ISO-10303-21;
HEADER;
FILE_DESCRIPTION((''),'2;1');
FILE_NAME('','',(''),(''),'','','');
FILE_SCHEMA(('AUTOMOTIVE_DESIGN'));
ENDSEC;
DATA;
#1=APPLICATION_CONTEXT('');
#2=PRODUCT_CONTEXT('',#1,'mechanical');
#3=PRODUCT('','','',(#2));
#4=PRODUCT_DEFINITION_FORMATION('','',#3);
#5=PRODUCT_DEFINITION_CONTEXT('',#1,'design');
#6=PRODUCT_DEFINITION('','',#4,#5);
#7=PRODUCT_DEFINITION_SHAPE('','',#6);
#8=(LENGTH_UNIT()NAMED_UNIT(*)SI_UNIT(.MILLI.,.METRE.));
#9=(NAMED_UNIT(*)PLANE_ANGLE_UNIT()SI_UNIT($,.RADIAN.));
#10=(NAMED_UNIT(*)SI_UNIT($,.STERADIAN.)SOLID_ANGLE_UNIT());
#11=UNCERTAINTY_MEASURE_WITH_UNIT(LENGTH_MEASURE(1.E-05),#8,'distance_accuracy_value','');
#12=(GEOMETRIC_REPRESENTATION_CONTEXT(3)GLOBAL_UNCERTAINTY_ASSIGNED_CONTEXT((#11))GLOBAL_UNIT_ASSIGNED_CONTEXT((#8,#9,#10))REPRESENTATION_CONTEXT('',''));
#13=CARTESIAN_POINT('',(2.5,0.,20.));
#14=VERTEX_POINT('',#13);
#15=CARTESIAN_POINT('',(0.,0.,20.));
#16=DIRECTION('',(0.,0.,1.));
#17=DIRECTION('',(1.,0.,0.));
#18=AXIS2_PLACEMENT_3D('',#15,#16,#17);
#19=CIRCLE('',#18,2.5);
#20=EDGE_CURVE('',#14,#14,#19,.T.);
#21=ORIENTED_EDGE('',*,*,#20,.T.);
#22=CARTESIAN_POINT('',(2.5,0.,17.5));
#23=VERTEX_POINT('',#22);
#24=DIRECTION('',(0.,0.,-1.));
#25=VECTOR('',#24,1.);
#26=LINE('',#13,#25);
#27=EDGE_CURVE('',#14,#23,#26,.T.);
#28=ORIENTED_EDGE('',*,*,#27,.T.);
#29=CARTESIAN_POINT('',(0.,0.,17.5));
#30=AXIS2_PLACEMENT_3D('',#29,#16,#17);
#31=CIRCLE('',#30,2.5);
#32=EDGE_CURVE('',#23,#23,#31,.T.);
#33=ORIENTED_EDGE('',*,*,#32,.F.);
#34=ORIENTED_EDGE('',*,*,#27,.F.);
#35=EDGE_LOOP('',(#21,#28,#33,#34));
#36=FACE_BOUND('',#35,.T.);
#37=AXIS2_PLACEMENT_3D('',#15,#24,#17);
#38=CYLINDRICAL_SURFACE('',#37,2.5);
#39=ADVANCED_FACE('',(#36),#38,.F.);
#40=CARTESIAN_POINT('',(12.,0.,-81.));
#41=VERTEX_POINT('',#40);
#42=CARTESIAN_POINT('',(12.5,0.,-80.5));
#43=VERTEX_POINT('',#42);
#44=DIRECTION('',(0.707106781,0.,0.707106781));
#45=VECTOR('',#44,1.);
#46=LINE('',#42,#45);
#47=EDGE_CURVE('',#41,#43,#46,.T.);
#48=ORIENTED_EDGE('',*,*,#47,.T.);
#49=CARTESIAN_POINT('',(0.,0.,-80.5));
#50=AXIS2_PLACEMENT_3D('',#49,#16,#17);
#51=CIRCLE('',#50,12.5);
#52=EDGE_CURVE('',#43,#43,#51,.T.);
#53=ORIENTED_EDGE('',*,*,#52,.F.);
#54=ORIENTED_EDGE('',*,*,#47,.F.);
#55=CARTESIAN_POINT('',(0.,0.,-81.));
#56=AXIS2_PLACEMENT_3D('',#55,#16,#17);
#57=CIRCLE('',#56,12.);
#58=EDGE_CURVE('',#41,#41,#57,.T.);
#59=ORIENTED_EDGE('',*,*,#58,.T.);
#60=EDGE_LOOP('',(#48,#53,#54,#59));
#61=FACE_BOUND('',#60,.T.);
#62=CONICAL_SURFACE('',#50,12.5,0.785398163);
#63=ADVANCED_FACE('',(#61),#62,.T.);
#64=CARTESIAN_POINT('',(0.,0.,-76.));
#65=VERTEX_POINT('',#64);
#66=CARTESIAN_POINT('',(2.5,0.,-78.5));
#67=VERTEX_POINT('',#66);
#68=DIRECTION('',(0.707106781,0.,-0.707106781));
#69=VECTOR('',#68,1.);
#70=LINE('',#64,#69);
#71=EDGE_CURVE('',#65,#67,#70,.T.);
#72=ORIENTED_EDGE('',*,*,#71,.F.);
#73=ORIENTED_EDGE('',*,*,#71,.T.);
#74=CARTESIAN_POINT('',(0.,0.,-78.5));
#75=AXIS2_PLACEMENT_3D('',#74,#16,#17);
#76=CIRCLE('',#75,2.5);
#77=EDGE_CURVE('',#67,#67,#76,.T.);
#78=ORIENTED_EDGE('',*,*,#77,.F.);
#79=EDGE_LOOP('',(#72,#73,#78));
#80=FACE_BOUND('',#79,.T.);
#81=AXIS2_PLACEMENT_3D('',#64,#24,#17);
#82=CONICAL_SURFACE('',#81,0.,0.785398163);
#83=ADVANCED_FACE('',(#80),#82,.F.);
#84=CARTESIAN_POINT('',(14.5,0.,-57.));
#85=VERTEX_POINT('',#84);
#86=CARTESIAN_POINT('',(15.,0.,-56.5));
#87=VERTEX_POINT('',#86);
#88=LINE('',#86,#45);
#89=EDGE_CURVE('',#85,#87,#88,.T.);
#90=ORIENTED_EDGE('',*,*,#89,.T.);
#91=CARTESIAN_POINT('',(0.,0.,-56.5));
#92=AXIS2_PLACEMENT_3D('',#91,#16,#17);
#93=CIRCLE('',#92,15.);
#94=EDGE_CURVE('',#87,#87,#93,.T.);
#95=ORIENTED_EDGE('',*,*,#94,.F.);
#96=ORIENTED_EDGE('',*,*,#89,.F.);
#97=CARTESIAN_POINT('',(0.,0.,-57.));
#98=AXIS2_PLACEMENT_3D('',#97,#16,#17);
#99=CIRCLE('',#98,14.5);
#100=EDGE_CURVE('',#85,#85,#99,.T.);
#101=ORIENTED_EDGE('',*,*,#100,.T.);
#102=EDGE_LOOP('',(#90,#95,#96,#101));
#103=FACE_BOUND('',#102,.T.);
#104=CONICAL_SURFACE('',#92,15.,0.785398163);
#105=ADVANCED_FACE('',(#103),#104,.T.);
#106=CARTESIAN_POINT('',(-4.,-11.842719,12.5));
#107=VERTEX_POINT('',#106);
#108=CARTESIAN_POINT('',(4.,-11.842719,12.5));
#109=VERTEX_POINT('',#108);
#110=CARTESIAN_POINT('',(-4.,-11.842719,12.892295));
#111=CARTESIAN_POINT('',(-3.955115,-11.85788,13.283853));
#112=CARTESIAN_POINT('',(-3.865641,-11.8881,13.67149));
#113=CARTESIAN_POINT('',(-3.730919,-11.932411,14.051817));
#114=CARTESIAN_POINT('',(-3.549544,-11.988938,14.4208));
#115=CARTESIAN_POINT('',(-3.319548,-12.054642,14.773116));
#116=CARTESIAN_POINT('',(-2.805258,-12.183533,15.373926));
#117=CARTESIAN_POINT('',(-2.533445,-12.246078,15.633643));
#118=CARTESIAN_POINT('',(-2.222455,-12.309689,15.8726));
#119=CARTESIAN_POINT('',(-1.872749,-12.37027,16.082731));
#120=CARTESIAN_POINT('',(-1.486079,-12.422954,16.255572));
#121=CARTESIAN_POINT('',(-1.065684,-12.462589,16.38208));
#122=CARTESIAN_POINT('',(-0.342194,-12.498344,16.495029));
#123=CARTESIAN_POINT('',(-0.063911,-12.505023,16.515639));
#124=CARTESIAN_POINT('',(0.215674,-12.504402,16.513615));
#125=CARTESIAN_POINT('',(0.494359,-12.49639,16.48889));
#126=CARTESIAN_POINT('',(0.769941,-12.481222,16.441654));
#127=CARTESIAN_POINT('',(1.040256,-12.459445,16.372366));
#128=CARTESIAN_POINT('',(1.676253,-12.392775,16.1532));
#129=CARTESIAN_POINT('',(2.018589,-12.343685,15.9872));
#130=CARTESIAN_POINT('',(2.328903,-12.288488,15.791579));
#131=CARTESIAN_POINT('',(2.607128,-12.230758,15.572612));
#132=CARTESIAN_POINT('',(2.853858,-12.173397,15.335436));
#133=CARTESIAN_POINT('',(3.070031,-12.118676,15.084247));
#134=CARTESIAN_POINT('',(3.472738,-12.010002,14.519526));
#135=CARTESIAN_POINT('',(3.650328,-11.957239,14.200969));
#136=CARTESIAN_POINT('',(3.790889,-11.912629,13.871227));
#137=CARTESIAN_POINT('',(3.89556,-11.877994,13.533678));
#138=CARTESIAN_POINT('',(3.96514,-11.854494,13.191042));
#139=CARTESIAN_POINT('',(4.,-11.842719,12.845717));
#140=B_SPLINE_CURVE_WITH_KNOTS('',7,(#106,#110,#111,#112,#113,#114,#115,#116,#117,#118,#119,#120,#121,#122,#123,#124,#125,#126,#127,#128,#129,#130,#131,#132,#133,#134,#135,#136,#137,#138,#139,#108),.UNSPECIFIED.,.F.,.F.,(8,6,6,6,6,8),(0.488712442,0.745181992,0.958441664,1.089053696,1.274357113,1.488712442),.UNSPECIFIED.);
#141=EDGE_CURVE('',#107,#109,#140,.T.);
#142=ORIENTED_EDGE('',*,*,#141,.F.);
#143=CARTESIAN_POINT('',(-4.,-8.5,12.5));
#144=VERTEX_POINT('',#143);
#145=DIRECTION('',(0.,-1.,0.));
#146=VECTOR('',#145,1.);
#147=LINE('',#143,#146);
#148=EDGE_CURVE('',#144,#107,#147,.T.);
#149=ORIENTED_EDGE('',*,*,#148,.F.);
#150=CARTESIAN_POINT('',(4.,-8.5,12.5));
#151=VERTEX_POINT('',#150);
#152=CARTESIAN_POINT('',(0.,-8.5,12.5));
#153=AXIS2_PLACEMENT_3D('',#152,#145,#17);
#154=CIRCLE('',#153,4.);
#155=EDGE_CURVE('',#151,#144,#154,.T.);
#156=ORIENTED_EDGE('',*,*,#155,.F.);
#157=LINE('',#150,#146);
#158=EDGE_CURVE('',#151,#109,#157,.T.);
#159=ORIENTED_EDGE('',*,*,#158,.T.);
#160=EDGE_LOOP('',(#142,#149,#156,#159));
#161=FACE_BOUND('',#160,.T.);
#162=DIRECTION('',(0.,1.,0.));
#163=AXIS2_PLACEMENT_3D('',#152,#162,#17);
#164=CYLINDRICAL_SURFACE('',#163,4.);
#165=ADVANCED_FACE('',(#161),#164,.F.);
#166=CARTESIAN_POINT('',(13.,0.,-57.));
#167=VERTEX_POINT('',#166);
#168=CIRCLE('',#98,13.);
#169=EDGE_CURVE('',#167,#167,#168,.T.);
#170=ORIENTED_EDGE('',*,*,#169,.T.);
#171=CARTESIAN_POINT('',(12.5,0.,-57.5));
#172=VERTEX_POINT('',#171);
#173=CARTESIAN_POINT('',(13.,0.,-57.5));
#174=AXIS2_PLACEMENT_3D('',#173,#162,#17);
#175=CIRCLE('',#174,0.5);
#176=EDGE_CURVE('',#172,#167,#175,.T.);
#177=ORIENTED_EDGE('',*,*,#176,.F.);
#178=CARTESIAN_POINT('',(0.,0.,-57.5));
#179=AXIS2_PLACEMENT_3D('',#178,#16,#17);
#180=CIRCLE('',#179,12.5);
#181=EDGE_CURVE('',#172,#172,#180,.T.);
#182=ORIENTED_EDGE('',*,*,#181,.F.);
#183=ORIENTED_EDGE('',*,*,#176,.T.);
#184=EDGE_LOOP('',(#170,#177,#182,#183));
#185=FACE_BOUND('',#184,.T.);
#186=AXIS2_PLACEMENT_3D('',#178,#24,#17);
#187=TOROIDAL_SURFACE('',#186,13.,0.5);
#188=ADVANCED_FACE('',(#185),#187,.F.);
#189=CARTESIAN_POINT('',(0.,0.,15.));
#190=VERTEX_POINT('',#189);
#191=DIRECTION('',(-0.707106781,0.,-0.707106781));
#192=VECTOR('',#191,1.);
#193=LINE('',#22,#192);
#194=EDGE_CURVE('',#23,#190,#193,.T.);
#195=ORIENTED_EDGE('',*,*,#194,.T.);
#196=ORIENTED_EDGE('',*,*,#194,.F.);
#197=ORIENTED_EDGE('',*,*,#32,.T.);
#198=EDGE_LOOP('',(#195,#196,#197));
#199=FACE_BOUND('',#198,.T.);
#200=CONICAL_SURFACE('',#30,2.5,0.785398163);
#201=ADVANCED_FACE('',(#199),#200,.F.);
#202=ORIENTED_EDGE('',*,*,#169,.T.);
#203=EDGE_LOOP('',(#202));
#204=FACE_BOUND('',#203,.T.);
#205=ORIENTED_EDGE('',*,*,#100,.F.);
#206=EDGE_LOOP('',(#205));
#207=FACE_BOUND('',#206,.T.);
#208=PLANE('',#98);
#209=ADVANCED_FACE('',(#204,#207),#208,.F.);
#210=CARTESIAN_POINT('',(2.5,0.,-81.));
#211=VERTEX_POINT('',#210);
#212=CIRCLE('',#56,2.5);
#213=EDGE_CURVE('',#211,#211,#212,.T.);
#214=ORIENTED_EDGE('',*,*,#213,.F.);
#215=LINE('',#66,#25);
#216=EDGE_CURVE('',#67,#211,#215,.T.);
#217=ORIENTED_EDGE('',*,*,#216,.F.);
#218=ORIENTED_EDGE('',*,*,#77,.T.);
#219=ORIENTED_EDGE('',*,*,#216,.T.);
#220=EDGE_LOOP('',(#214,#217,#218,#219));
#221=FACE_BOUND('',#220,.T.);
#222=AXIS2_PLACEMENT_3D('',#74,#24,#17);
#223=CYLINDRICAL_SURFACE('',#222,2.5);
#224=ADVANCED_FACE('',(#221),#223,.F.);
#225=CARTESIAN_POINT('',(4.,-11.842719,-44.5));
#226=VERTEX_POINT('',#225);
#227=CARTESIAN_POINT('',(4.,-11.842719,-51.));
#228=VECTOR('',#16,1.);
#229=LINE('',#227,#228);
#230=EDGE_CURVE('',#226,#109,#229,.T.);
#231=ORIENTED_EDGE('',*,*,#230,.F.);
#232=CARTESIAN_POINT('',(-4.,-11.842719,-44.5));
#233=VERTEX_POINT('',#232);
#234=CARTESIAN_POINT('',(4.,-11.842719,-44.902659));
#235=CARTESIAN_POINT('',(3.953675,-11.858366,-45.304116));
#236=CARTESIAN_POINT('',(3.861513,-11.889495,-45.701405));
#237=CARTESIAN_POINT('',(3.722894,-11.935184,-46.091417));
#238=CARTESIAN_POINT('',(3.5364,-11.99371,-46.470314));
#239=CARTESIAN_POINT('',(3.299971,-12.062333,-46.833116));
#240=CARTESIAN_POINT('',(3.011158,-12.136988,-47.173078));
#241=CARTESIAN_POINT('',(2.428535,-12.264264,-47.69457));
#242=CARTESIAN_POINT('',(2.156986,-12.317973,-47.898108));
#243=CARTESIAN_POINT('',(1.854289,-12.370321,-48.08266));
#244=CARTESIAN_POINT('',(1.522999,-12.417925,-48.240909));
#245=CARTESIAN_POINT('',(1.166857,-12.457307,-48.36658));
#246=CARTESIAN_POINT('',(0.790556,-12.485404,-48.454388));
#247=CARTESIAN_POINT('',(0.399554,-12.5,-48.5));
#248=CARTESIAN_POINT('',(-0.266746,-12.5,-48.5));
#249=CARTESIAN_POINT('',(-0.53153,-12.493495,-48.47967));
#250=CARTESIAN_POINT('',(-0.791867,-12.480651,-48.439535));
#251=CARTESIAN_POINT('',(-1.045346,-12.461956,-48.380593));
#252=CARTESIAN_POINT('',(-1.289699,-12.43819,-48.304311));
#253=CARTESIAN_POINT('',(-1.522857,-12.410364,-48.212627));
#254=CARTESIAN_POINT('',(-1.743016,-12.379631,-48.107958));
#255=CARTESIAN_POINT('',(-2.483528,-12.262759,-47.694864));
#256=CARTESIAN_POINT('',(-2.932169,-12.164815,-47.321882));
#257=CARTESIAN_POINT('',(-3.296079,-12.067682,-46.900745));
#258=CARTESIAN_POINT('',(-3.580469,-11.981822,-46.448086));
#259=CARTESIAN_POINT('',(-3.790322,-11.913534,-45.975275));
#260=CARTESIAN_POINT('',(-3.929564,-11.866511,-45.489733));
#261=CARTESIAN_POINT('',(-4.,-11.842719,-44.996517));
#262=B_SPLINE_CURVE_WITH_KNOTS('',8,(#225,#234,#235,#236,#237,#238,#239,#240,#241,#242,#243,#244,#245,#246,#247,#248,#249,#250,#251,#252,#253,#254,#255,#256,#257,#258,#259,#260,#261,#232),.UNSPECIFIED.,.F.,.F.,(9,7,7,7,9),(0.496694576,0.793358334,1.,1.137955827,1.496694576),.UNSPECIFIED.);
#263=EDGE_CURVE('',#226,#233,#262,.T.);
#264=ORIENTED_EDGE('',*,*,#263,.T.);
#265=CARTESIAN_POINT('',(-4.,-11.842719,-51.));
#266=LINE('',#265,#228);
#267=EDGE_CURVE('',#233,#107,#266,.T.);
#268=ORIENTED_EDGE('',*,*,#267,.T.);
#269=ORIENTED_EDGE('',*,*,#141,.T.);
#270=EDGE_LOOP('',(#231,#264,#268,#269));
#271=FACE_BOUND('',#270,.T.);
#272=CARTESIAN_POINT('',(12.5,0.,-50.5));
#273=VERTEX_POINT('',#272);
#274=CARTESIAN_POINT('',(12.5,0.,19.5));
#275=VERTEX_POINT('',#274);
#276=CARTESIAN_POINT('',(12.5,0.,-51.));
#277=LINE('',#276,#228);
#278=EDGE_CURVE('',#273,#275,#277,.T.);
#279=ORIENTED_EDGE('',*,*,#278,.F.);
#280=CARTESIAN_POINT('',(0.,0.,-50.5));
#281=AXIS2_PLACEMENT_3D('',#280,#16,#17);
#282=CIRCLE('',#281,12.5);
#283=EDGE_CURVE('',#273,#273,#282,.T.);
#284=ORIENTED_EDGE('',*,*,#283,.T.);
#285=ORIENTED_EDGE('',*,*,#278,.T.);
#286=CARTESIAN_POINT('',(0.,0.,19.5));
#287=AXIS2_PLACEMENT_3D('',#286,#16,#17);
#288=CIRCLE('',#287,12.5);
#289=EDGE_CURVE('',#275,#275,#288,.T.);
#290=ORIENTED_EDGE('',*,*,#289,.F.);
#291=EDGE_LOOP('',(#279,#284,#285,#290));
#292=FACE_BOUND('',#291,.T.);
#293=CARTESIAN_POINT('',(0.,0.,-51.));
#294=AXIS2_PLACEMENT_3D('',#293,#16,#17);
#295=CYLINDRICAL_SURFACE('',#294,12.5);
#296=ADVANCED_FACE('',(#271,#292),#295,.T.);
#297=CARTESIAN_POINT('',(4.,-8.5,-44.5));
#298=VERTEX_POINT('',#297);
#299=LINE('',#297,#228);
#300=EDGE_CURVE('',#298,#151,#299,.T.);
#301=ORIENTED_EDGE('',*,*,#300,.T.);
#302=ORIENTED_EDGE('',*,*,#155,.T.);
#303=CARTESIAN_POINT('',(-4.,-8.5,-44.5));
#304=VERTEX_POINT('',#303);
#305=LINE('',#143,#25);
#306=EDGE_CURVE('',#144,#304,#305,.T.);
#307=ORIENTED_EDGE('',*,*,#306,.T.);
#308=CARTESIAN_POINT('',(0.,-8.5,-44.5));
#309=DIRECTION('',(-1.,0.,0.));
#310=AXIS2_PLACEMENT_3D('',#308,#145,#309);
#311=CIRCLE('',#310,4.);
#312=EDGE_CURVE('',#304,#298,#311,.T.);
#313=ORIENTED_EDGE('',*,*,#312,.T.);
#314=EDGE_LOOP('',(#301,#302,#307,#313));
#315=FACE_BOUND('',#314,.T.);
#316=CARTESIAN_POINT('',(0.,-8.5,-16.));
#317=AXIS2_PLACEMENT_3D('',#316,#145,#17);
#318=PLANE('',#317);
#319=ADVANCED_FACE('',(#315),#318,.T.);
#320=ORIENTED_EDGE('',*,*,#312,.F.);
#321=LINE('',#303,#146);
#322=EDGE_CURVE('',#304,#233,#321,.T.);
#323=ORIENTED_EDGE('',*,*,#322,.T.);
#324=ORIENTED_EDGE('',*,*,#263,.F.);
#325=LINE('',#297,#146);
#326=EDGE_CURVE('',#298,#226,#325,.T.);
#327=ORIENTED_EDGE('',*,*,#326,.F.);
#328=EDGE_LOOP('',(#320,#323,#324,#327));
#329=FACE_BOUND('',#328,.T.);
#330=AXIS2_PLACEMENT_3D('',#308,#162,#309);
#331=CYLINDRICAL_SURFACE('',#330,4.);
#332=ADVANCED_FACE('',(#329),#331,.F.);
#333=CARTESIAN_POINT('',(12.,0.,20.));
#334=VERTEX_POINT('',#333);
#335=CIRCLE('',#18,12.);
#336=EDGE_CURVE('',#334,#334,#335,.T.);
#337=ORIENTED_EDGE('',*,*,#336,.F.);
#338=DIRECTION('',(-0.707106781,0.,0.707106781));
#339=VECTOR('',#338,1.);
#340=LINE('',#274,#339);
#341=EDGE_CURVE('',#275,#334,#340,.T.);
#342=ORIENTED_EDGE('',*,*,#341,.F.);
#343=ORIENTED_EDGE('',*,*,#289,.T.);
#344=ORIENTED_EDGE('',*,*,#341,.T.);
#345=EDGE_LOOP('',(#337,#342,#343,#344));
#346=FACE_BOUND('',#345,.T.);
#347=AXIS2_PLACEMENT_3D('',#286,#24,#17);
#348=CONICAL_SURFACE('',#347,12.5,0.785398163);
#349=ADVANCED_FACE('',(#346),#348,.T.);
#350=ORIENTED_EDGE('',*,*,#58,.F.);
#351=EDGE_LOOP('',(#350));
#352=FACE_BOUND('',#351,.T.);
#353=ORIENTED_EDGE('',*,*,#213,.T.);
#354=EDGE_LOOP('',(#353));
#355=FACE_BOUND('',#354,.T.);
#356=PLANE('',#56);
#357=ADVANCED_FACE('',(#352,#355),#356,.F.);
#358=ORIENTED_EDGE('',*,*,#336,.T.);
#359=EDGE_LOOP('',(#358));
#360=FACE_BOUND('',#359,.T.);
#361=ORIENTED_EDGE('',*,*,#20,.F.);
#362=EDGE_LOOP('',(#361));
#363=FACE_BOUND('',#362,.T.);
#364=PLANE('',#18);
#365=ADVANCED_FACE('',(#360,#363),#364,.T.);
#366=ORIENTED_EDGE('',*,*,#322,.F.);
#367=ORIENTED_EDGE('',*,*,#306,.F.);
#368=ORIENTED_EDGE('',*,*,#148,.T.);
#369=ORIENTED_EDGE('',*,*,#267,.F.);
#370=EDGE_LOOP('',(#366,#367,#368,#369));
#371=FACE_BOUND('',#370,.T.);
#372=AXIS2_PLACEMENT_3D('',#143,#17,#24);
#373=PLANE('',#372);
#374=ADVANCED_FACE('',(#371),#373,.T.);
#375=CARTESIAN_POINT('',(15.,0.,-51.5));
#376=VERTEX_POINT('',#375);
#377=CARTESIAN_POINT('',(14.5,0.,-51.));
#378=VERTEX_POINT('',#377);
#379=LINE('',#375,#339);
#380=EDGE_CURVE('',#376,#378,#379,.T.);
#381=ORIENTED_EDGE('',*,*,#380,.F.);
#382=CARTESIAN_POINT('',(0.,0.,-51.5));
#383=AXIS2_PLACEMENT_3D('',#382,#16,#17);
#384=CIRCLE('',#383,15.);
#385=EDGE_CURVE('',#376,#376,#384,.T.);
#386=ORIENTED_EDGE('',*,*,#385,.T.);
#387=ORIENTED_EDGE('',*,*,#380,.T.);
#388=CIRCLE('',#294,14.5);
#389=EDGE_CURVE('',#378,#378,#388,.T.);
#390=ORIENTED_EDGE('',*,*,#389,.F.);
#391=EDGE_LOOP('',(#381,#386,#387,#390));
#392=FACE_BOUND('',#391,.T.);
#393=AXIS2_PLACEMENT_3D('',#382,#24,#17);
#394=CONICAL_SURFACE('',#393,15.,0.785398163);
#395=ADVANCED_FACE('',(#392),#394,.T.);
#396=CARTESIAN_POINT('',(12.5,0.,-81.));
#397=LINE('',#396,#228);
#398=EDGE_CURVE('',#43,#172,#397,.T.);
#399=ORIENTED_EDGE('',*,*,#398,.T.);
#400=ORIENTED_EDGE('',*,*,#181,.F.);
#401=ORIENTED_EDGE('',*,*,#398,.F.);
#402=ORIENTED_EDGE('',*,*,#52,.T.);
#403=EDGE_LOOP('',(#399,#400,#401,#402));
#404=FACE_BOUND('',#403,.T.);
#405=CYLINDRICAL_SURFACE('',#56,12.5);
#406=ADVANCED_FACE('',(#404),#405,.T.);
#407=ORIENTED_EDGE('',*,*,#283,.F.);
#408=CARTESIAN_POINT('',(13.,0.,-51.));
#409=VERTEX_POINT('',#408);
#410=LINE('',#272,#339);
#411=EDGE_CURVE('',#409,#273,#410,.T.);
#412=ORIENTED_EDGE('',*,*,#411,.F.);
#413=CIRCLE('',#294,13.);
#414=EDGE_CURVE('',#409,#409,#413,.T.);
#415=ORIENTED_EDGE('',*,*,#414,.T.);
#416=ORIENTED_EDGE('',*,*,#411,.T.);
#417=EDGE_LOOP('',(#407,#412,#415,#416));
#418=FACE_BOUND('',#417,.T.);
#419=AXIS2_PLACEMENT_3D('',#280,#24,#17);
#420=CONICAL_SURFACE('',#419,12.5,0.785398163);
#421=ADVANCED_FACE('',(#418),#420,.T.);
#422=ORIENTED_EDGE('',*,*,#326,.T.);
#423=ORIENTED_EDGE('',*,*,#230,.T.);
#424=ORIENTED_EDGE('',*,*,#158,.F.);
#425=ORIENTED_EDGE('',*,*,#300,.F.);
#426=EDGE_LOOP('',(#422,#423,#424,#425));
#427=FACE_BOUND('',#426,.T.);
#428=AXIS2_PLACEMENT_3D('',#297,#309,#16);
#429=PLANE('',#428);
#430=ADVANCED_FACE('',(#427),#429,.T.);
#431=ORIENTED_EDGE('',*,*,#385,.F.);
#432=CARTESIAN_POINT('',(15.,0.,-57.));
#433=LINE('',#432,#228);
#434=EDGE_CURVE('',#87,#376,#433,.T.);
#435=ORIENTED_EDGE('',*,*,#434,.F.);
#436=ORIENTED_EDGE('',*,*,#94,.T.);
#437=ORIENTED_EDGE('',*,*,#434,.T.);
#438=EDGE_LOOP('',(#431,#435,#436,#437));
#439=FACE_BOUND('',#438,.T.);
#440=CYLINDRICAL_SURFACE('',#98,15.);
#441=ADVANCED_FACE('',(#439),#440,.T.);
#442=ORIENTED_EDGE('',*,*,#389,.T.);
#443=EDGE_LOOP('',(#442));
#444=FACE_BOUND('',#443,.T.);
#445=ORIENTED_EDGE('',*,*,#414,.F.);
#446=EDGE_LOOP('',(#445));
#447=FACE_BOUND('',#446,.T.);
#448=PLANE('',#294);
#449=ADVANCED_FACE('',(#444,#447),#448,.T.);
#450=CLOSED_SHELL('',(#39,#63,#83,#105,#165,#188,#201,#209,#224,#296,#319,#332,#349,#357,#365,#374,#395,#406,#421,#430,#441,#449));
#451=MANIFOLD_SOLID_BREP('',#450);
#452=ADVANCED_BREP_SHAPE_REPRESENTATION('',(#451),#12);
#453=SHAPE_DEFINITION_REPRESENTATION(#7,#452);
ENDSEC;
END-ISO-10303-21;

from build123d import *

# Parameters (mm, degrees)
F2_SIZE  = 0.5
F3_R     = 0.5
F6_DEPTH = 4


with BuildPart() as f1:
    # F0 (on Front) → F1 (revolve)
    with BuildSketch(Plane.XZ):
        Polygon((0, 15), (0, 0), (0, -76), (2.5, -78.5), (2.5, -81), (12.5, -81), (12.5, -78.3), (12.5, -77), (12.5, -57), (15, -57), (15, -55.7), (15, -51), (12.5, -51), (12.5, 16), (12.5, 17.1), (12.5, 20), (2.5, 20), (2.5, 17.5), align=None)
    revolve(axis=Axis((0, 0, 55.465363), (0, 0, 1)))

    # F2
    f2_edges = [f1.edges().sort_by_distance(p)[0] for p in [
        (-12.5, 0, 20),
        (-15, 0, -51),
        (-12.5, 0, -51),
        (-12.5, 0, -81),
        (-15, 0, -57),
    ]]
    chamfer(f2_edges, length=F2_SIZE)

    # F3
    f3_edges = [f1.edges().sort_by_distance(p)[0] for p in [
        (-12.5, 0, -57),
    ]]
    fillet(f3_edges, radius=F3_R)

    # F5 (on offset) → F6 (cut)
    with BuildSketch(Plane.XZ.offset(8.5)):
        with BuildLine():
            Line((4, -44.5), (4, 12.5))
            ThreePointArc((4, 12.5), (0, 16.5), (-4, 12.5))
            Line((-4, 12.5), (-4, -44.5))
            ThreePointArc((-4, -44.5), (0, -48.5), (4, -44.5))
        make_face()
    extrude(amount=F6_DEPTH, mode=Mode.SUBTRACT)


solid = f1.part
